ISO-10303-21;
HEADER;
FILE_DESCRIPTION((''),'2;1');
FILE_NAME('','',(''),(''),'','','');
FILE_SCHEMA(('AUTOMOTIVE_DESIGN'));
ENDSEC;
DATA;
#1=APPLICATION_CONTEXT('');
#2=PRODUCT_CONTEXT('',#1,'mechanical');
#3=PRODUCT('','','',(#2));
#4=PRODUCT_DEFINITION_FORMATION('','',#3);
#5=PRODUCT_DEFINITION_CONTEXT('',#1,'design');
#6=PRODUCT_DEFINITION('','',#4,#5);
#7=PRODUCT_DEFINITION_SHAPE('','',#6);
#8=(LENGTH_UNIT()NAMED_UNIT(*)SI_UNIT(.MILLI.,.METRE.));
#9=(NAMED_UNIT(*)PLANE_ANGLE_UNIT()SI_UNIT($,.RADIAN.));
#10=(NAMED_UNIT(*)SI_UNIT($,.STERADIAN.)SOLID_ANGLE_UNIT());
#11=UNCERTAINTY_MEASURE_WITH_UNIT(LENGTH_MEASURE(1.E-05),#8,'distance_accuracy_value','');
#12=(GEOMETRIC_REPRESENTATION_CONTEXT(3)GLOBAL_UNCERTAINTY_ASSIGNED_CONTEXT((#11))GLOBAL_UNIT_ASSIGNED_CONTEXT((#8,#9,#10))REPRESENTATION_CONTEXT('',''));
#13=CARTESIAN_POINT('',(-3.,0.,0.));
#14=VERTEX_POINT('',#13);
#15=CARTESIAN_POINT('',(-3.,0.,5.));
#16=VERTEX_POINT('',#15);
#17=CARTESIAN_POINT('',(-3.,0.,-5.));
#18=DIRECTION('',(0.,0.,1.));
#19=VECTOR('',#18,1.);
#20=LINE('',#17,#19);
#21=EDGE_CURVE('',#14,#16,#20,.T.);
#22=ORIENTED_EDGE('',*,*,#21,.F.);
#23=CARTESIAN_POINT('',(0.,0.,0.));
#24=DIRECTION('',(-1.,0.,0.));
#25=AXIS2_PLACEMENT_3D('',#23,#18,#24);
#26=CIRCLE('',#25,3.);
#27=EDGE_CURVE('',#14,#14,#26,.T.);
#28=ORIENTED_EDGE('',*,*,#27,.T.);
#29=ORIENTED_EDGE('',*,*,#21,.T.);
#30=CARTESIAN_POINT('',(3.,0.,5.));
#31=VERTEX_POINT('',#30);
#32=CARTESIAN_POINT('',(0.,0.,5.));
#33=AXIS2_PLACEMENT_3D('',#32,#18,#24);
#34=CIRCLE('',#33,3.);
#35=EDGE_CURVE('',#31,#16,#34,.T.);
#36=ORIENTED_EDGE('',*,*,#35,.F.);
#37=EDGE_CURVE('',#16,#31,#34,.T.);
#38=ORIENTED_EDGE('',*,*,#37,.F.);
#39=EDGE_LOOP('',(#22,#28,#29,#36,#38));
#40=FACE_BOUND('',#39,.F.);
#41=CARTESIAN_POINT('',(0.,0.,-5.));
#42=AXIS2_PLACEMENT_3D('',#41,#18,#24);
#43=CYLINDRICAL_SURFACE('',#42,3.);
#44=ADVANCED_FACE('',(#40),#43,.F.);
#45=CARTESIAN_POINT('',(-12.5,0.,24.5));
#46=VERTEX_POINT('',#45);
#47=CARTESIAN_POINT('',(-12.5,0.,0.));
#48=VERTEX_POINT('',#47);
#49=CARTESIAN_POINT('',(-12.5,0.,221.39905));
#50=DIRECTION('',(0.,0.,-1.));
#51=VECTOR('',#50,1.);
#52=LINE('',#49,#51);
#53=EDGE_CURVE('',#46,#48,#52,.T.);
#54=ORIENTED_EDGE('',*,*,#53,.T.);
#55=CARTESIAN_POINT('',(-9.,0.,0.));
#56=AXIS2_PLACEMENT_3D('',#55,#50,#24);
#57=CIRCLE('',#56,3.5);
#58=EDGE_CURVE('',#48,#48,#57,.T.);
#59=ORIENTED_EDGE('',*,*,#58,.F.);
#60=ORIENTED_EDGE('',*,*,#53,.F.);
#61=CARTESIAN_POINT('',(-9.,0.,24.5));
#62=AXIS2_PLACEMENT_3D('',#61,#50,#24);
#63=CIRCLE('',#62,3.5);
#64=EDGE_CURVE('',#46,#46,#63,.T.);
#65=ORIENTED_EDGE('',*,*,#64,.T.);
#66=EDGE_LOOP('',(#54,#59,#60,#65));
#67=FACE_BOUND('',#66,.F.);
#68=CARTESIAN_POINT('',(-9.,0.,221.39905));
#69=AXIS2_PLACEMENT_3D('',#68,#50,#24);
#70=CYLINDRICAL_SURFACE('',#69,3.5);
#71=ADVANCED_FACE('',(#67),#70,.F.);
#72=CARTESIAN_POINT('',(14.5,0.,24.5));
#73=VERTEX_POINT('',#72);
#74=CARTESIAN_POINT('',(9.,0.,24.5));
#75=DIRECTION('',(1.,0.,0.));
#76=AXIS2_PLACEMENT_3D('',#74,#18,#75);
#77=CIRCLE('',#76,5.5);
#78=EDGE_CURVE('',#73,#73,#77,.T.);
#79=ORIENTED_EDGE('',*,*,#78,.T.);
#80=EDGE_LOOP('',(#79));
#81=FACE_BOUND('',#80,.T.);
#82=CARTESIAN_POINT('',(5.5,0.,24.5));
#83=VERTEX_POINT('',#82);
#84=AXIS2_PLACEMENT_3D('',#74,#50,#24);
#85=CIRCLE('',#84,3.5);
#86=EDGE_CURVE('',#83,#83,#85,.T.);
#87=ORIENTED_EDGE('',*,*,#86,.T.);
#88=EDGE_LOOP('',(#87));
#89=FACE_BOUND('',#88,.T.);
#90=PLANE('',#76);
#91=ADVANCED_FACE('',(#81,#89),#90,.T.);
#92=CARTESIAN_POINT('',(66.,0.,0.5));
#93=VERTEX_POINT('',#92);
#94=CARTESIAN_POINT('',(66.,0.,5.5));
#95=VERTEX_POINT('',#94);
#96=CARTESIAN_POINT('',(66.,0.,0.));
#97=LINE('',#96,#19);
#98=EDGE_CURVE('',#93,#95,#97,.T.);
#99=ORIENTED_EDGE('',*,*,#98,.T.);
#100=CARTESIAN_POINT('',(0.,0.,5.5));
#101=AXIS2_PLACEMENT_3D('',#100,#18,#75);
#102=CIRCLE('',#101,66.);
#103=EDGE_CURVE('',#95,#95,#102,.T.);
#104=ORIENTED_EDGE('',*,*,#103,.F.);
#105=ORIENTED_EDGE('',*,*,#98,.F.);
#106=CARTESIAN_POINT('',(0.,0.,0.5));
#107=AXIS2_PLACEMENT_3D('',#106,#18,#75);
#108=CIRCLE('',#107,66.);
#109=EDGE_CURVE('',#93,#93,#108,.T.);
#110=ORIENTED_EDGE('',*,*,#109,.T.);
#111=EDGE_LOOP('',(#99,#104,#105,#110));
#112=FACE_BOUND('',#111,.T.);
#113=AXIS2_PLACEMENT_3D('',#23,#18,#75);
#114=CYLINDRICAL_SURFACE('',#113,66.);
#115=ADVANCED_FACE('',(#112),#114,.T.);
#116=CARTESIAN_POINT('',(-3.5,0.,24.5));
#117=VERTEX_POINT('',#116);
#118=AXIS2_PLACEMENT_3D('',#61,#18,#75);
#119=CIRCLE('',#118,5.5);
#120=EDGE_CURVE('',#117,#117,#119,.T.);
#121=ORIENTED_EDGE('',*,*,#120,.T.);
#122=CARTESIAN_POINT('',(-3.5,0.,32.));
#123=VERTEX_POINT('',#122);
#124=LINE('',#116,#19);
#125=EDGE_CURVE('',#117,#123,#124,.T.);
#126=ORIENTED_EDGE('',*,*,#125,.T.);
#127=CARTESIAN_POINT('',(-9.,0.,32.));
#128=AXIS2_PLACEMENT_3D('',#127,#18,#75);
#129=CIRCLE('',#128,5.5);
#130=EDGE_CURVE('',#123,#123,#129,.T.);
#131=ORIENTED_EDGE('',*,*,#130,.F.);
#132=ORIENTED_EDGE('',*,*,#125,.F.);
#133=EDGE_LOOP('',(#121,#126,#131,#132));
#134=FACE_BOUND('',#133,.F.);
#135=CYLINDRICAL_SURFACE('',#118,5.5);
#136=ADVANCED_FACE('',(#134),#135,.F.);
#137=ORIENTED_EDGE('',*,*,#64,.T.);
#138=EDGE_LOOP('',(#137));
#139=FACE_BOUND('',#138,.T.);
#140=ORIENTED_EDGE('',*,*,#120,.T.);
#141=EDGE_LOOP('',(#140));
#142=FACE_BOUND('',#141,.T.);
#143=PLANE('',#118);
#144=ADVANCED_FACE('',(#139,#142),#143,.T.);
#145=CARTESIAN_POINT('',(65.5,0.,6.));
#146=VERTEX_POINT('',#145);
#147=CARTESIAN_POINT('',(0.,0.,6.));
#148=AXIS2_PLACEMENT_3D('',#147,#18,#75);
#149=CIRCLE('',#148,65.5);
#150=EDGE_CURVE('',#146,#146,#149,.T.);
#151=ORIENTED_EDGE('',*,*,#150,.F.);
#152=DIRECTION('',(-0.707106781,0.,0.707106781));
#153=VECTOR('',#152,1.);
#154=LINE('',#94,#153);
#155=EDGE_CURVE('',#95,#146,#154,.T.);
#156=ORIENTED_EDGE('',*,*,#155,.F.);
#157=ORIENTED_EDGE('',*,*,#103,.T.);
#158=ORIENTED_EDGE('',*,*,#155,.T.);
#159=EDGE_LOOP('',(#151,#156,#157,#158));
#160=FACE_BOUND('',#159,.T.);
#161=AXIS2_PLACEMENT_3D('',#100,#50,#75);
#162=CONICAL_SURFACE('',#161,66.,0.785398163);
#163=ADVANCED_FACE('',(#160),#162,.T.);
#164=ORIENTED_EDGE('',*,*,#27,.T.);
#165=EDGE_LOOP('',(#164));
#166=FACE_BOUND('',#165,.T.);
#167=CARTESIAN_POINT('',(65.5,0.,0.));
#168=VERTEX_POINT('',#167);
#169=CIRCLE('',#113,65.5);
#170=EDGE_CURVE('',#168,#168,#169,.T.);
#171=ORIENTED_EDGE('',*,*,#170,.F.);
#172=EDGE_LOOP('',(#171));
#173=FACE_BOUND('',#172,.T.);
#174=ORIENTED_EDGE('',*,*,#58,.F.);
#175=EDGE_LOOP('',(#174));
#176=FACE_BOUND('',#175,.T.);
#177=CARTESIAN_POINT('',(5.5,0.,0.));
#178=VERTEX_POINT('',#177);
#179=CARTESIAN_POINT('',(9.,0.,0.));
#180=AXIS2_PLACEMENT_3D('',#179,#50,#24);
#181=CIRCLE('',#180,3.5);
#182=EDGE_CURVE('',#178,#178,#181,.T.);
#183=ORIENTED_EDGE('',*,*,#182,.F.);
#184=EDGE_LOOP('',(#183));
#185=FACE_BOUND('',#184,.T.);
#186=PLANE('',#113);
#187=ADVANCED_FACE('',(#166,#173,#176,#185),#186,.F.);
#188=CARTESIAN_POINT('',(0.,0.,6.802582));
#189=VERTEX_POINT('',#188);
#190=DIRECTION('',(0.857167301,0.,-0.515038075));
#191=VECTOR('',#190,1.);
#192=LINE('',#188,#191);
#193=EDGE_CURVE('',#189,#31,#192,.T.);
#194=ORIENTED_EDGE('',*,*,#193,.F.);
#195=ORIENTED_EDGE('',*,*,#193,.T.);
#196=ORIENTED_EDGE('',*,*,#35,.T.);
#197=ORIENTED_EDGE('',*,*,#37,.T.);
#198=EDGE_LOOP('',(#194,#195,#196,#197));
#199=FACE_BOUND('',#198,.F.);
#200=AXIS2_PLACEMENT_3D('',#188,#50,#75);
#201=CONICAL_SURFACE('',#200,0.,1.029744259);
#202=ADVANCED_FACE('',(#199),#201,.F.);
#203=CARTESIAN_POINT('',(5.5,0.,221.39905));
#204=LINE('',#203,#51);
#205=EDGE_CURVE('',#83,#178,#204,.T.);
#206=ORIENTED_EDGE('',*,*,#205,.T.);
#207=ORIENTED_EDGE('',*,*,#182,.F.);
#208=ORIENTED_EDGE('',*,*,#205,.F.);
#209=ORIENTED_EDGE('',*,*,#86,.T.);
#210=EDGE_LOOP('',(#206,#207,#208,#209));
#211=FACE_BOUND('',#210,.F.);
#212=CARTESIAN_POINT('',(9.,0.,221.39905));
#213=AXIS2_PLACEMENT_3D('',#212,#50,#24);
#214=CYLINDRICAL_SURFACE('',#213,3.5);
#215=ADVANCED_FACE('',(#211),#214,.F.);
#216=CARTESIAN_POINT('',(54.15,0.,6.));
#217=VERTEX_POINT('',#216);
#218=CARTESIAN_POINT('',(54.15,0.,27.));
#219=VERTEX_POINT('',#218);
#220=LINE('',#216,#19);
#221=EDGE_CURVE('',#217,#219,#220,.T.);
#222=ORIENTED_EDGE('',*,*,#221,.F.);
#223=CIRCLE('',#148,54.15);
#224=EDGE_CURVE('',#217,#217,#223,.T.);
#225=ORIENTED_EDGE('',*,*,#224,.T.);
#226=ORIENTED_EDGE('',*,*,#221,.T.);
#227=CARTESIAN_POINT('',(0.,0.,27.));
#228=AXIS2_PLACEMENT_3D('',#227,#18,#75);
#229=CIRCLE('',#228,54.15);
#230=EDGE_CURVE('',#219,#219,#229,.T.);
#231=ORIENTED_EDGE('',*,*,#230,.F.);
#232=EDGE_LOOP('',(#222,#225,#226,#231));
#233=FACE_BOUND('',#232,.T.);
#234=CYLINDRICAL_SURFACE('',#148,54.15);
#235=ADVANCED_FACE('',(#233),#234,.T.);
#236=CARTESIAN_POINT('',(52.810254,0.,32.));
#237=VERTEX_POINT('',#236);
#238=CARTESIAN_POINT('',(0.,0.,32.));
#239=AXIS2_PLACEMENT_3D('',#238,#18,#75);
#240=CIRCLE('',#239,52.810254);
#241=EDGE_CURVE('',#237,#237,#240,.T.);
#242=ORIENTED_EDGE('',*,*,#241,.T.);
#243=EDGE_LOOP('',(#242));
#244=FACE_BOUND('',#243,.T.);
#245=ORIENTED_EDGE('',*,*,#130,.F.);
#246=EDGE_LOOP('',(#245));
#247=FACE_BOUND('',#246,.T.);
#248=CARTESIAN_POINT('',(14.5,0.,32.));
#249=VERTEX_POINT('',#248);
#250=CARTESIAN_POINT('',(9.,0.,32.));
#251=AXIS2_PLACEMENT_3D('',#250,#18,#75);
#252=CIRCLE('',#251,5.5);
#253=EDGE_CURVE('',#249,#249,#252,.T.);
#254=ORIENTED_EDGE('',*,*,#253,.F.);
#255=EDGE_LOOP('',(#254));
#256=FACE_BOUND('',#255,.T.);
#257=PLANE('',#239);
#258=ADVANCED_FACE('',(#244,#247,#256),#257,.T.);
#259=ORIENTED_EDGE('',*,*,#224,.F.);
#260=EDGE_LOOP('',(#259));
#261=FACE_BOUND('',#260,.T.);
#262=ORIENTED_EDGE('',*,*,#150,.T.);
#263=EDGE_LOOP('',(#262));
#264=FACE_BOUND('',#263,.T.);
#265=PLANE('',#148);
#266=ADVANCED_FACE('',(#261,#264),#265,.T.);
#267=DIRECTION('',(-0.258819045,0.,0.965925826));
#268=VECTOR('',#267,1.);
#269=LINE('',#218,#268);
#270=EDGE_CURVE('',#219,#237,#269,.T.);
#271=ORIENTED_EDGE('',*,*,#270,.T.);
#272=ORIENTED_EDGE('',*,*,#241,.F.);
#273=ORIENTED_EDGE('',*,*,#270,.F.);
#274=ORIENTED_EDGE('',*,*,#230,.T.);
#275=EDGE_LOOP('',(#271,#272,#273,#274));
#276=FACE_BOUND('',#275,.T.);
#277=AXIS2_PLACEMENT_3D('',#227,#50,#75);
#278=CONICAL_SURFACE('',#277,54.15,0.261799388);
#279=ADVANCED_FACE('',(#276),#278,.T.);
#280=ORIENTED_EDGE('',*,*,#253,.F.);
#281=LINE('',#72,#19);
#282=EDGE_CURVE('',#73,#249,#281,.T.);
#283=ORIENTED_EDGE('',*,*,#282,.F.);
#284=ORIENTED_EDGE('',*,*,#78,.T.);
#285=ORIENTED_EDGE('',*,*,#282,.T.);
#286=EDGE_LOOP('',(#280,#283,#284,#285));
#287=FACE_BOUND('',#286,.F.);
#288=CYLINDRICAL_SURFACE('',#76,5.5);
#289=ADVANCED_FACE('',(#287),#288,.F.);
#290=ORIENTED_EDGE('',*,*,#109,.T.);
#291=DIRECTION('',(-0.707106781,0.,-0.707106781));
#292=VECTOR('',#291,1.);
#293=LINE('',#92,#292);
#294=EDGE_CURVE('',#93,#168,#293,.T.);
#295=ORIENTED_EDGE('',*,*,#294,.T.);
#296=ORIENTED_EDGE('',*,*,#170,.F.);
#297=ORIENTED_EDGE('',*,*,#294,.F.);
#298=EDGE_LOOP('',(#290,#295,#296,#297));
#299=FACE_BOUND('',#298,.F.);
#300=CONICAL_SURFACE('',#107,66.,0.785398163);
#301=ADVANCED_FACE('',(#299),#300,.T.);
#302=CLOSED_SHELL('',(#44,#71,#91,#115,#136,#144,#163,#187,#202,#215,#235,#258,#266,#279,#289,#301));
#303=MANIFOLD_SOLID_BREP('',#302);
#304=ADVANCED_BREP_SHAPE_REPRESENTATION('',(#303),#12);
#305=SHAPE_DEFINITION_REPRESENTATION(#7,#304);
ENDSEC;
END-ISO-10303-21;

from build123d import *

# Parameters (mm, degrees)
F2_SIZE        = 0.5
F3_SIZE        = 0.5
F4_SIZE2       = 1.3397459622
F4_SIZE        = 5
F6_D           = 7
F7_D           = 7
F7_CBORE_D     = 11
F7_CBORE_DEPTH = 7.5
F9_D           = 6
F9_DEPTH       = 5
F9_TIP         = 1.8025818571


with BuildPart() as f1:
    # F0 (on Front) → F1 (revolve)
    with BuildSketch(Plane.XZ):
        Polygon((0, 32), (0, 0), (66, 0), (66, 6), (54.15, 6), (54.15, 32), align=None)
    revolve(axis=Axis((0, 0, 31.825657934), (0, 0, 1)))

    # F2
    f2_edges = [f1.edges().sort_by_distance(p)[0] for p in [
        (-66, 0, 6),
    ]]
    chamfer(f2_edges, length=F2_SIZE)

    # F3
    f3_edges = [f1.edges().sort_by_distance(p)[0] for p in [
        (-66, 0, 0),
    ]]
    chamfer(f3_edges, length=F3_SIZE)

    # F4
    f4_edges = [f1.edges().sort_by_distance(p)[0] for p in [
        (-54.15, 0, 32),
    ]]
    chamfer(f4_edges, length=F4_SIZE, length2=F4_SIZE2)

    # F6 (through all)
    with Locations(Plane.XY.offset(32)):
        with Locations((-9, 0), (9, 0)):
            Hole(F6_D / 2)

    # F7 (through all)
    with Locations(Plane.XY.offset(32)):
        with Locations((9, 0), (-9, 0)):
            CounterBoreHole(F7_D / 2, F7_CBORE_D / 2, F7_CBORE_DEPTH)

    # F9
    with Locations(Plane(origin=(0, 0, 0), x_dir=(1, 0, 0), z_dir=(0, 0, -1))):
        with Locations((0, 0)):
            Hole(F9_D / 2, depth=F9_DEPTH)
            with Locations((0, 0, -(F9_DEPTH + F9_TIP / 2))):  # 118° drill point
                Cone(0, F9_D / 2, F9_TIP, mode=Mode.SUBTRACT)


solid = f1.part
